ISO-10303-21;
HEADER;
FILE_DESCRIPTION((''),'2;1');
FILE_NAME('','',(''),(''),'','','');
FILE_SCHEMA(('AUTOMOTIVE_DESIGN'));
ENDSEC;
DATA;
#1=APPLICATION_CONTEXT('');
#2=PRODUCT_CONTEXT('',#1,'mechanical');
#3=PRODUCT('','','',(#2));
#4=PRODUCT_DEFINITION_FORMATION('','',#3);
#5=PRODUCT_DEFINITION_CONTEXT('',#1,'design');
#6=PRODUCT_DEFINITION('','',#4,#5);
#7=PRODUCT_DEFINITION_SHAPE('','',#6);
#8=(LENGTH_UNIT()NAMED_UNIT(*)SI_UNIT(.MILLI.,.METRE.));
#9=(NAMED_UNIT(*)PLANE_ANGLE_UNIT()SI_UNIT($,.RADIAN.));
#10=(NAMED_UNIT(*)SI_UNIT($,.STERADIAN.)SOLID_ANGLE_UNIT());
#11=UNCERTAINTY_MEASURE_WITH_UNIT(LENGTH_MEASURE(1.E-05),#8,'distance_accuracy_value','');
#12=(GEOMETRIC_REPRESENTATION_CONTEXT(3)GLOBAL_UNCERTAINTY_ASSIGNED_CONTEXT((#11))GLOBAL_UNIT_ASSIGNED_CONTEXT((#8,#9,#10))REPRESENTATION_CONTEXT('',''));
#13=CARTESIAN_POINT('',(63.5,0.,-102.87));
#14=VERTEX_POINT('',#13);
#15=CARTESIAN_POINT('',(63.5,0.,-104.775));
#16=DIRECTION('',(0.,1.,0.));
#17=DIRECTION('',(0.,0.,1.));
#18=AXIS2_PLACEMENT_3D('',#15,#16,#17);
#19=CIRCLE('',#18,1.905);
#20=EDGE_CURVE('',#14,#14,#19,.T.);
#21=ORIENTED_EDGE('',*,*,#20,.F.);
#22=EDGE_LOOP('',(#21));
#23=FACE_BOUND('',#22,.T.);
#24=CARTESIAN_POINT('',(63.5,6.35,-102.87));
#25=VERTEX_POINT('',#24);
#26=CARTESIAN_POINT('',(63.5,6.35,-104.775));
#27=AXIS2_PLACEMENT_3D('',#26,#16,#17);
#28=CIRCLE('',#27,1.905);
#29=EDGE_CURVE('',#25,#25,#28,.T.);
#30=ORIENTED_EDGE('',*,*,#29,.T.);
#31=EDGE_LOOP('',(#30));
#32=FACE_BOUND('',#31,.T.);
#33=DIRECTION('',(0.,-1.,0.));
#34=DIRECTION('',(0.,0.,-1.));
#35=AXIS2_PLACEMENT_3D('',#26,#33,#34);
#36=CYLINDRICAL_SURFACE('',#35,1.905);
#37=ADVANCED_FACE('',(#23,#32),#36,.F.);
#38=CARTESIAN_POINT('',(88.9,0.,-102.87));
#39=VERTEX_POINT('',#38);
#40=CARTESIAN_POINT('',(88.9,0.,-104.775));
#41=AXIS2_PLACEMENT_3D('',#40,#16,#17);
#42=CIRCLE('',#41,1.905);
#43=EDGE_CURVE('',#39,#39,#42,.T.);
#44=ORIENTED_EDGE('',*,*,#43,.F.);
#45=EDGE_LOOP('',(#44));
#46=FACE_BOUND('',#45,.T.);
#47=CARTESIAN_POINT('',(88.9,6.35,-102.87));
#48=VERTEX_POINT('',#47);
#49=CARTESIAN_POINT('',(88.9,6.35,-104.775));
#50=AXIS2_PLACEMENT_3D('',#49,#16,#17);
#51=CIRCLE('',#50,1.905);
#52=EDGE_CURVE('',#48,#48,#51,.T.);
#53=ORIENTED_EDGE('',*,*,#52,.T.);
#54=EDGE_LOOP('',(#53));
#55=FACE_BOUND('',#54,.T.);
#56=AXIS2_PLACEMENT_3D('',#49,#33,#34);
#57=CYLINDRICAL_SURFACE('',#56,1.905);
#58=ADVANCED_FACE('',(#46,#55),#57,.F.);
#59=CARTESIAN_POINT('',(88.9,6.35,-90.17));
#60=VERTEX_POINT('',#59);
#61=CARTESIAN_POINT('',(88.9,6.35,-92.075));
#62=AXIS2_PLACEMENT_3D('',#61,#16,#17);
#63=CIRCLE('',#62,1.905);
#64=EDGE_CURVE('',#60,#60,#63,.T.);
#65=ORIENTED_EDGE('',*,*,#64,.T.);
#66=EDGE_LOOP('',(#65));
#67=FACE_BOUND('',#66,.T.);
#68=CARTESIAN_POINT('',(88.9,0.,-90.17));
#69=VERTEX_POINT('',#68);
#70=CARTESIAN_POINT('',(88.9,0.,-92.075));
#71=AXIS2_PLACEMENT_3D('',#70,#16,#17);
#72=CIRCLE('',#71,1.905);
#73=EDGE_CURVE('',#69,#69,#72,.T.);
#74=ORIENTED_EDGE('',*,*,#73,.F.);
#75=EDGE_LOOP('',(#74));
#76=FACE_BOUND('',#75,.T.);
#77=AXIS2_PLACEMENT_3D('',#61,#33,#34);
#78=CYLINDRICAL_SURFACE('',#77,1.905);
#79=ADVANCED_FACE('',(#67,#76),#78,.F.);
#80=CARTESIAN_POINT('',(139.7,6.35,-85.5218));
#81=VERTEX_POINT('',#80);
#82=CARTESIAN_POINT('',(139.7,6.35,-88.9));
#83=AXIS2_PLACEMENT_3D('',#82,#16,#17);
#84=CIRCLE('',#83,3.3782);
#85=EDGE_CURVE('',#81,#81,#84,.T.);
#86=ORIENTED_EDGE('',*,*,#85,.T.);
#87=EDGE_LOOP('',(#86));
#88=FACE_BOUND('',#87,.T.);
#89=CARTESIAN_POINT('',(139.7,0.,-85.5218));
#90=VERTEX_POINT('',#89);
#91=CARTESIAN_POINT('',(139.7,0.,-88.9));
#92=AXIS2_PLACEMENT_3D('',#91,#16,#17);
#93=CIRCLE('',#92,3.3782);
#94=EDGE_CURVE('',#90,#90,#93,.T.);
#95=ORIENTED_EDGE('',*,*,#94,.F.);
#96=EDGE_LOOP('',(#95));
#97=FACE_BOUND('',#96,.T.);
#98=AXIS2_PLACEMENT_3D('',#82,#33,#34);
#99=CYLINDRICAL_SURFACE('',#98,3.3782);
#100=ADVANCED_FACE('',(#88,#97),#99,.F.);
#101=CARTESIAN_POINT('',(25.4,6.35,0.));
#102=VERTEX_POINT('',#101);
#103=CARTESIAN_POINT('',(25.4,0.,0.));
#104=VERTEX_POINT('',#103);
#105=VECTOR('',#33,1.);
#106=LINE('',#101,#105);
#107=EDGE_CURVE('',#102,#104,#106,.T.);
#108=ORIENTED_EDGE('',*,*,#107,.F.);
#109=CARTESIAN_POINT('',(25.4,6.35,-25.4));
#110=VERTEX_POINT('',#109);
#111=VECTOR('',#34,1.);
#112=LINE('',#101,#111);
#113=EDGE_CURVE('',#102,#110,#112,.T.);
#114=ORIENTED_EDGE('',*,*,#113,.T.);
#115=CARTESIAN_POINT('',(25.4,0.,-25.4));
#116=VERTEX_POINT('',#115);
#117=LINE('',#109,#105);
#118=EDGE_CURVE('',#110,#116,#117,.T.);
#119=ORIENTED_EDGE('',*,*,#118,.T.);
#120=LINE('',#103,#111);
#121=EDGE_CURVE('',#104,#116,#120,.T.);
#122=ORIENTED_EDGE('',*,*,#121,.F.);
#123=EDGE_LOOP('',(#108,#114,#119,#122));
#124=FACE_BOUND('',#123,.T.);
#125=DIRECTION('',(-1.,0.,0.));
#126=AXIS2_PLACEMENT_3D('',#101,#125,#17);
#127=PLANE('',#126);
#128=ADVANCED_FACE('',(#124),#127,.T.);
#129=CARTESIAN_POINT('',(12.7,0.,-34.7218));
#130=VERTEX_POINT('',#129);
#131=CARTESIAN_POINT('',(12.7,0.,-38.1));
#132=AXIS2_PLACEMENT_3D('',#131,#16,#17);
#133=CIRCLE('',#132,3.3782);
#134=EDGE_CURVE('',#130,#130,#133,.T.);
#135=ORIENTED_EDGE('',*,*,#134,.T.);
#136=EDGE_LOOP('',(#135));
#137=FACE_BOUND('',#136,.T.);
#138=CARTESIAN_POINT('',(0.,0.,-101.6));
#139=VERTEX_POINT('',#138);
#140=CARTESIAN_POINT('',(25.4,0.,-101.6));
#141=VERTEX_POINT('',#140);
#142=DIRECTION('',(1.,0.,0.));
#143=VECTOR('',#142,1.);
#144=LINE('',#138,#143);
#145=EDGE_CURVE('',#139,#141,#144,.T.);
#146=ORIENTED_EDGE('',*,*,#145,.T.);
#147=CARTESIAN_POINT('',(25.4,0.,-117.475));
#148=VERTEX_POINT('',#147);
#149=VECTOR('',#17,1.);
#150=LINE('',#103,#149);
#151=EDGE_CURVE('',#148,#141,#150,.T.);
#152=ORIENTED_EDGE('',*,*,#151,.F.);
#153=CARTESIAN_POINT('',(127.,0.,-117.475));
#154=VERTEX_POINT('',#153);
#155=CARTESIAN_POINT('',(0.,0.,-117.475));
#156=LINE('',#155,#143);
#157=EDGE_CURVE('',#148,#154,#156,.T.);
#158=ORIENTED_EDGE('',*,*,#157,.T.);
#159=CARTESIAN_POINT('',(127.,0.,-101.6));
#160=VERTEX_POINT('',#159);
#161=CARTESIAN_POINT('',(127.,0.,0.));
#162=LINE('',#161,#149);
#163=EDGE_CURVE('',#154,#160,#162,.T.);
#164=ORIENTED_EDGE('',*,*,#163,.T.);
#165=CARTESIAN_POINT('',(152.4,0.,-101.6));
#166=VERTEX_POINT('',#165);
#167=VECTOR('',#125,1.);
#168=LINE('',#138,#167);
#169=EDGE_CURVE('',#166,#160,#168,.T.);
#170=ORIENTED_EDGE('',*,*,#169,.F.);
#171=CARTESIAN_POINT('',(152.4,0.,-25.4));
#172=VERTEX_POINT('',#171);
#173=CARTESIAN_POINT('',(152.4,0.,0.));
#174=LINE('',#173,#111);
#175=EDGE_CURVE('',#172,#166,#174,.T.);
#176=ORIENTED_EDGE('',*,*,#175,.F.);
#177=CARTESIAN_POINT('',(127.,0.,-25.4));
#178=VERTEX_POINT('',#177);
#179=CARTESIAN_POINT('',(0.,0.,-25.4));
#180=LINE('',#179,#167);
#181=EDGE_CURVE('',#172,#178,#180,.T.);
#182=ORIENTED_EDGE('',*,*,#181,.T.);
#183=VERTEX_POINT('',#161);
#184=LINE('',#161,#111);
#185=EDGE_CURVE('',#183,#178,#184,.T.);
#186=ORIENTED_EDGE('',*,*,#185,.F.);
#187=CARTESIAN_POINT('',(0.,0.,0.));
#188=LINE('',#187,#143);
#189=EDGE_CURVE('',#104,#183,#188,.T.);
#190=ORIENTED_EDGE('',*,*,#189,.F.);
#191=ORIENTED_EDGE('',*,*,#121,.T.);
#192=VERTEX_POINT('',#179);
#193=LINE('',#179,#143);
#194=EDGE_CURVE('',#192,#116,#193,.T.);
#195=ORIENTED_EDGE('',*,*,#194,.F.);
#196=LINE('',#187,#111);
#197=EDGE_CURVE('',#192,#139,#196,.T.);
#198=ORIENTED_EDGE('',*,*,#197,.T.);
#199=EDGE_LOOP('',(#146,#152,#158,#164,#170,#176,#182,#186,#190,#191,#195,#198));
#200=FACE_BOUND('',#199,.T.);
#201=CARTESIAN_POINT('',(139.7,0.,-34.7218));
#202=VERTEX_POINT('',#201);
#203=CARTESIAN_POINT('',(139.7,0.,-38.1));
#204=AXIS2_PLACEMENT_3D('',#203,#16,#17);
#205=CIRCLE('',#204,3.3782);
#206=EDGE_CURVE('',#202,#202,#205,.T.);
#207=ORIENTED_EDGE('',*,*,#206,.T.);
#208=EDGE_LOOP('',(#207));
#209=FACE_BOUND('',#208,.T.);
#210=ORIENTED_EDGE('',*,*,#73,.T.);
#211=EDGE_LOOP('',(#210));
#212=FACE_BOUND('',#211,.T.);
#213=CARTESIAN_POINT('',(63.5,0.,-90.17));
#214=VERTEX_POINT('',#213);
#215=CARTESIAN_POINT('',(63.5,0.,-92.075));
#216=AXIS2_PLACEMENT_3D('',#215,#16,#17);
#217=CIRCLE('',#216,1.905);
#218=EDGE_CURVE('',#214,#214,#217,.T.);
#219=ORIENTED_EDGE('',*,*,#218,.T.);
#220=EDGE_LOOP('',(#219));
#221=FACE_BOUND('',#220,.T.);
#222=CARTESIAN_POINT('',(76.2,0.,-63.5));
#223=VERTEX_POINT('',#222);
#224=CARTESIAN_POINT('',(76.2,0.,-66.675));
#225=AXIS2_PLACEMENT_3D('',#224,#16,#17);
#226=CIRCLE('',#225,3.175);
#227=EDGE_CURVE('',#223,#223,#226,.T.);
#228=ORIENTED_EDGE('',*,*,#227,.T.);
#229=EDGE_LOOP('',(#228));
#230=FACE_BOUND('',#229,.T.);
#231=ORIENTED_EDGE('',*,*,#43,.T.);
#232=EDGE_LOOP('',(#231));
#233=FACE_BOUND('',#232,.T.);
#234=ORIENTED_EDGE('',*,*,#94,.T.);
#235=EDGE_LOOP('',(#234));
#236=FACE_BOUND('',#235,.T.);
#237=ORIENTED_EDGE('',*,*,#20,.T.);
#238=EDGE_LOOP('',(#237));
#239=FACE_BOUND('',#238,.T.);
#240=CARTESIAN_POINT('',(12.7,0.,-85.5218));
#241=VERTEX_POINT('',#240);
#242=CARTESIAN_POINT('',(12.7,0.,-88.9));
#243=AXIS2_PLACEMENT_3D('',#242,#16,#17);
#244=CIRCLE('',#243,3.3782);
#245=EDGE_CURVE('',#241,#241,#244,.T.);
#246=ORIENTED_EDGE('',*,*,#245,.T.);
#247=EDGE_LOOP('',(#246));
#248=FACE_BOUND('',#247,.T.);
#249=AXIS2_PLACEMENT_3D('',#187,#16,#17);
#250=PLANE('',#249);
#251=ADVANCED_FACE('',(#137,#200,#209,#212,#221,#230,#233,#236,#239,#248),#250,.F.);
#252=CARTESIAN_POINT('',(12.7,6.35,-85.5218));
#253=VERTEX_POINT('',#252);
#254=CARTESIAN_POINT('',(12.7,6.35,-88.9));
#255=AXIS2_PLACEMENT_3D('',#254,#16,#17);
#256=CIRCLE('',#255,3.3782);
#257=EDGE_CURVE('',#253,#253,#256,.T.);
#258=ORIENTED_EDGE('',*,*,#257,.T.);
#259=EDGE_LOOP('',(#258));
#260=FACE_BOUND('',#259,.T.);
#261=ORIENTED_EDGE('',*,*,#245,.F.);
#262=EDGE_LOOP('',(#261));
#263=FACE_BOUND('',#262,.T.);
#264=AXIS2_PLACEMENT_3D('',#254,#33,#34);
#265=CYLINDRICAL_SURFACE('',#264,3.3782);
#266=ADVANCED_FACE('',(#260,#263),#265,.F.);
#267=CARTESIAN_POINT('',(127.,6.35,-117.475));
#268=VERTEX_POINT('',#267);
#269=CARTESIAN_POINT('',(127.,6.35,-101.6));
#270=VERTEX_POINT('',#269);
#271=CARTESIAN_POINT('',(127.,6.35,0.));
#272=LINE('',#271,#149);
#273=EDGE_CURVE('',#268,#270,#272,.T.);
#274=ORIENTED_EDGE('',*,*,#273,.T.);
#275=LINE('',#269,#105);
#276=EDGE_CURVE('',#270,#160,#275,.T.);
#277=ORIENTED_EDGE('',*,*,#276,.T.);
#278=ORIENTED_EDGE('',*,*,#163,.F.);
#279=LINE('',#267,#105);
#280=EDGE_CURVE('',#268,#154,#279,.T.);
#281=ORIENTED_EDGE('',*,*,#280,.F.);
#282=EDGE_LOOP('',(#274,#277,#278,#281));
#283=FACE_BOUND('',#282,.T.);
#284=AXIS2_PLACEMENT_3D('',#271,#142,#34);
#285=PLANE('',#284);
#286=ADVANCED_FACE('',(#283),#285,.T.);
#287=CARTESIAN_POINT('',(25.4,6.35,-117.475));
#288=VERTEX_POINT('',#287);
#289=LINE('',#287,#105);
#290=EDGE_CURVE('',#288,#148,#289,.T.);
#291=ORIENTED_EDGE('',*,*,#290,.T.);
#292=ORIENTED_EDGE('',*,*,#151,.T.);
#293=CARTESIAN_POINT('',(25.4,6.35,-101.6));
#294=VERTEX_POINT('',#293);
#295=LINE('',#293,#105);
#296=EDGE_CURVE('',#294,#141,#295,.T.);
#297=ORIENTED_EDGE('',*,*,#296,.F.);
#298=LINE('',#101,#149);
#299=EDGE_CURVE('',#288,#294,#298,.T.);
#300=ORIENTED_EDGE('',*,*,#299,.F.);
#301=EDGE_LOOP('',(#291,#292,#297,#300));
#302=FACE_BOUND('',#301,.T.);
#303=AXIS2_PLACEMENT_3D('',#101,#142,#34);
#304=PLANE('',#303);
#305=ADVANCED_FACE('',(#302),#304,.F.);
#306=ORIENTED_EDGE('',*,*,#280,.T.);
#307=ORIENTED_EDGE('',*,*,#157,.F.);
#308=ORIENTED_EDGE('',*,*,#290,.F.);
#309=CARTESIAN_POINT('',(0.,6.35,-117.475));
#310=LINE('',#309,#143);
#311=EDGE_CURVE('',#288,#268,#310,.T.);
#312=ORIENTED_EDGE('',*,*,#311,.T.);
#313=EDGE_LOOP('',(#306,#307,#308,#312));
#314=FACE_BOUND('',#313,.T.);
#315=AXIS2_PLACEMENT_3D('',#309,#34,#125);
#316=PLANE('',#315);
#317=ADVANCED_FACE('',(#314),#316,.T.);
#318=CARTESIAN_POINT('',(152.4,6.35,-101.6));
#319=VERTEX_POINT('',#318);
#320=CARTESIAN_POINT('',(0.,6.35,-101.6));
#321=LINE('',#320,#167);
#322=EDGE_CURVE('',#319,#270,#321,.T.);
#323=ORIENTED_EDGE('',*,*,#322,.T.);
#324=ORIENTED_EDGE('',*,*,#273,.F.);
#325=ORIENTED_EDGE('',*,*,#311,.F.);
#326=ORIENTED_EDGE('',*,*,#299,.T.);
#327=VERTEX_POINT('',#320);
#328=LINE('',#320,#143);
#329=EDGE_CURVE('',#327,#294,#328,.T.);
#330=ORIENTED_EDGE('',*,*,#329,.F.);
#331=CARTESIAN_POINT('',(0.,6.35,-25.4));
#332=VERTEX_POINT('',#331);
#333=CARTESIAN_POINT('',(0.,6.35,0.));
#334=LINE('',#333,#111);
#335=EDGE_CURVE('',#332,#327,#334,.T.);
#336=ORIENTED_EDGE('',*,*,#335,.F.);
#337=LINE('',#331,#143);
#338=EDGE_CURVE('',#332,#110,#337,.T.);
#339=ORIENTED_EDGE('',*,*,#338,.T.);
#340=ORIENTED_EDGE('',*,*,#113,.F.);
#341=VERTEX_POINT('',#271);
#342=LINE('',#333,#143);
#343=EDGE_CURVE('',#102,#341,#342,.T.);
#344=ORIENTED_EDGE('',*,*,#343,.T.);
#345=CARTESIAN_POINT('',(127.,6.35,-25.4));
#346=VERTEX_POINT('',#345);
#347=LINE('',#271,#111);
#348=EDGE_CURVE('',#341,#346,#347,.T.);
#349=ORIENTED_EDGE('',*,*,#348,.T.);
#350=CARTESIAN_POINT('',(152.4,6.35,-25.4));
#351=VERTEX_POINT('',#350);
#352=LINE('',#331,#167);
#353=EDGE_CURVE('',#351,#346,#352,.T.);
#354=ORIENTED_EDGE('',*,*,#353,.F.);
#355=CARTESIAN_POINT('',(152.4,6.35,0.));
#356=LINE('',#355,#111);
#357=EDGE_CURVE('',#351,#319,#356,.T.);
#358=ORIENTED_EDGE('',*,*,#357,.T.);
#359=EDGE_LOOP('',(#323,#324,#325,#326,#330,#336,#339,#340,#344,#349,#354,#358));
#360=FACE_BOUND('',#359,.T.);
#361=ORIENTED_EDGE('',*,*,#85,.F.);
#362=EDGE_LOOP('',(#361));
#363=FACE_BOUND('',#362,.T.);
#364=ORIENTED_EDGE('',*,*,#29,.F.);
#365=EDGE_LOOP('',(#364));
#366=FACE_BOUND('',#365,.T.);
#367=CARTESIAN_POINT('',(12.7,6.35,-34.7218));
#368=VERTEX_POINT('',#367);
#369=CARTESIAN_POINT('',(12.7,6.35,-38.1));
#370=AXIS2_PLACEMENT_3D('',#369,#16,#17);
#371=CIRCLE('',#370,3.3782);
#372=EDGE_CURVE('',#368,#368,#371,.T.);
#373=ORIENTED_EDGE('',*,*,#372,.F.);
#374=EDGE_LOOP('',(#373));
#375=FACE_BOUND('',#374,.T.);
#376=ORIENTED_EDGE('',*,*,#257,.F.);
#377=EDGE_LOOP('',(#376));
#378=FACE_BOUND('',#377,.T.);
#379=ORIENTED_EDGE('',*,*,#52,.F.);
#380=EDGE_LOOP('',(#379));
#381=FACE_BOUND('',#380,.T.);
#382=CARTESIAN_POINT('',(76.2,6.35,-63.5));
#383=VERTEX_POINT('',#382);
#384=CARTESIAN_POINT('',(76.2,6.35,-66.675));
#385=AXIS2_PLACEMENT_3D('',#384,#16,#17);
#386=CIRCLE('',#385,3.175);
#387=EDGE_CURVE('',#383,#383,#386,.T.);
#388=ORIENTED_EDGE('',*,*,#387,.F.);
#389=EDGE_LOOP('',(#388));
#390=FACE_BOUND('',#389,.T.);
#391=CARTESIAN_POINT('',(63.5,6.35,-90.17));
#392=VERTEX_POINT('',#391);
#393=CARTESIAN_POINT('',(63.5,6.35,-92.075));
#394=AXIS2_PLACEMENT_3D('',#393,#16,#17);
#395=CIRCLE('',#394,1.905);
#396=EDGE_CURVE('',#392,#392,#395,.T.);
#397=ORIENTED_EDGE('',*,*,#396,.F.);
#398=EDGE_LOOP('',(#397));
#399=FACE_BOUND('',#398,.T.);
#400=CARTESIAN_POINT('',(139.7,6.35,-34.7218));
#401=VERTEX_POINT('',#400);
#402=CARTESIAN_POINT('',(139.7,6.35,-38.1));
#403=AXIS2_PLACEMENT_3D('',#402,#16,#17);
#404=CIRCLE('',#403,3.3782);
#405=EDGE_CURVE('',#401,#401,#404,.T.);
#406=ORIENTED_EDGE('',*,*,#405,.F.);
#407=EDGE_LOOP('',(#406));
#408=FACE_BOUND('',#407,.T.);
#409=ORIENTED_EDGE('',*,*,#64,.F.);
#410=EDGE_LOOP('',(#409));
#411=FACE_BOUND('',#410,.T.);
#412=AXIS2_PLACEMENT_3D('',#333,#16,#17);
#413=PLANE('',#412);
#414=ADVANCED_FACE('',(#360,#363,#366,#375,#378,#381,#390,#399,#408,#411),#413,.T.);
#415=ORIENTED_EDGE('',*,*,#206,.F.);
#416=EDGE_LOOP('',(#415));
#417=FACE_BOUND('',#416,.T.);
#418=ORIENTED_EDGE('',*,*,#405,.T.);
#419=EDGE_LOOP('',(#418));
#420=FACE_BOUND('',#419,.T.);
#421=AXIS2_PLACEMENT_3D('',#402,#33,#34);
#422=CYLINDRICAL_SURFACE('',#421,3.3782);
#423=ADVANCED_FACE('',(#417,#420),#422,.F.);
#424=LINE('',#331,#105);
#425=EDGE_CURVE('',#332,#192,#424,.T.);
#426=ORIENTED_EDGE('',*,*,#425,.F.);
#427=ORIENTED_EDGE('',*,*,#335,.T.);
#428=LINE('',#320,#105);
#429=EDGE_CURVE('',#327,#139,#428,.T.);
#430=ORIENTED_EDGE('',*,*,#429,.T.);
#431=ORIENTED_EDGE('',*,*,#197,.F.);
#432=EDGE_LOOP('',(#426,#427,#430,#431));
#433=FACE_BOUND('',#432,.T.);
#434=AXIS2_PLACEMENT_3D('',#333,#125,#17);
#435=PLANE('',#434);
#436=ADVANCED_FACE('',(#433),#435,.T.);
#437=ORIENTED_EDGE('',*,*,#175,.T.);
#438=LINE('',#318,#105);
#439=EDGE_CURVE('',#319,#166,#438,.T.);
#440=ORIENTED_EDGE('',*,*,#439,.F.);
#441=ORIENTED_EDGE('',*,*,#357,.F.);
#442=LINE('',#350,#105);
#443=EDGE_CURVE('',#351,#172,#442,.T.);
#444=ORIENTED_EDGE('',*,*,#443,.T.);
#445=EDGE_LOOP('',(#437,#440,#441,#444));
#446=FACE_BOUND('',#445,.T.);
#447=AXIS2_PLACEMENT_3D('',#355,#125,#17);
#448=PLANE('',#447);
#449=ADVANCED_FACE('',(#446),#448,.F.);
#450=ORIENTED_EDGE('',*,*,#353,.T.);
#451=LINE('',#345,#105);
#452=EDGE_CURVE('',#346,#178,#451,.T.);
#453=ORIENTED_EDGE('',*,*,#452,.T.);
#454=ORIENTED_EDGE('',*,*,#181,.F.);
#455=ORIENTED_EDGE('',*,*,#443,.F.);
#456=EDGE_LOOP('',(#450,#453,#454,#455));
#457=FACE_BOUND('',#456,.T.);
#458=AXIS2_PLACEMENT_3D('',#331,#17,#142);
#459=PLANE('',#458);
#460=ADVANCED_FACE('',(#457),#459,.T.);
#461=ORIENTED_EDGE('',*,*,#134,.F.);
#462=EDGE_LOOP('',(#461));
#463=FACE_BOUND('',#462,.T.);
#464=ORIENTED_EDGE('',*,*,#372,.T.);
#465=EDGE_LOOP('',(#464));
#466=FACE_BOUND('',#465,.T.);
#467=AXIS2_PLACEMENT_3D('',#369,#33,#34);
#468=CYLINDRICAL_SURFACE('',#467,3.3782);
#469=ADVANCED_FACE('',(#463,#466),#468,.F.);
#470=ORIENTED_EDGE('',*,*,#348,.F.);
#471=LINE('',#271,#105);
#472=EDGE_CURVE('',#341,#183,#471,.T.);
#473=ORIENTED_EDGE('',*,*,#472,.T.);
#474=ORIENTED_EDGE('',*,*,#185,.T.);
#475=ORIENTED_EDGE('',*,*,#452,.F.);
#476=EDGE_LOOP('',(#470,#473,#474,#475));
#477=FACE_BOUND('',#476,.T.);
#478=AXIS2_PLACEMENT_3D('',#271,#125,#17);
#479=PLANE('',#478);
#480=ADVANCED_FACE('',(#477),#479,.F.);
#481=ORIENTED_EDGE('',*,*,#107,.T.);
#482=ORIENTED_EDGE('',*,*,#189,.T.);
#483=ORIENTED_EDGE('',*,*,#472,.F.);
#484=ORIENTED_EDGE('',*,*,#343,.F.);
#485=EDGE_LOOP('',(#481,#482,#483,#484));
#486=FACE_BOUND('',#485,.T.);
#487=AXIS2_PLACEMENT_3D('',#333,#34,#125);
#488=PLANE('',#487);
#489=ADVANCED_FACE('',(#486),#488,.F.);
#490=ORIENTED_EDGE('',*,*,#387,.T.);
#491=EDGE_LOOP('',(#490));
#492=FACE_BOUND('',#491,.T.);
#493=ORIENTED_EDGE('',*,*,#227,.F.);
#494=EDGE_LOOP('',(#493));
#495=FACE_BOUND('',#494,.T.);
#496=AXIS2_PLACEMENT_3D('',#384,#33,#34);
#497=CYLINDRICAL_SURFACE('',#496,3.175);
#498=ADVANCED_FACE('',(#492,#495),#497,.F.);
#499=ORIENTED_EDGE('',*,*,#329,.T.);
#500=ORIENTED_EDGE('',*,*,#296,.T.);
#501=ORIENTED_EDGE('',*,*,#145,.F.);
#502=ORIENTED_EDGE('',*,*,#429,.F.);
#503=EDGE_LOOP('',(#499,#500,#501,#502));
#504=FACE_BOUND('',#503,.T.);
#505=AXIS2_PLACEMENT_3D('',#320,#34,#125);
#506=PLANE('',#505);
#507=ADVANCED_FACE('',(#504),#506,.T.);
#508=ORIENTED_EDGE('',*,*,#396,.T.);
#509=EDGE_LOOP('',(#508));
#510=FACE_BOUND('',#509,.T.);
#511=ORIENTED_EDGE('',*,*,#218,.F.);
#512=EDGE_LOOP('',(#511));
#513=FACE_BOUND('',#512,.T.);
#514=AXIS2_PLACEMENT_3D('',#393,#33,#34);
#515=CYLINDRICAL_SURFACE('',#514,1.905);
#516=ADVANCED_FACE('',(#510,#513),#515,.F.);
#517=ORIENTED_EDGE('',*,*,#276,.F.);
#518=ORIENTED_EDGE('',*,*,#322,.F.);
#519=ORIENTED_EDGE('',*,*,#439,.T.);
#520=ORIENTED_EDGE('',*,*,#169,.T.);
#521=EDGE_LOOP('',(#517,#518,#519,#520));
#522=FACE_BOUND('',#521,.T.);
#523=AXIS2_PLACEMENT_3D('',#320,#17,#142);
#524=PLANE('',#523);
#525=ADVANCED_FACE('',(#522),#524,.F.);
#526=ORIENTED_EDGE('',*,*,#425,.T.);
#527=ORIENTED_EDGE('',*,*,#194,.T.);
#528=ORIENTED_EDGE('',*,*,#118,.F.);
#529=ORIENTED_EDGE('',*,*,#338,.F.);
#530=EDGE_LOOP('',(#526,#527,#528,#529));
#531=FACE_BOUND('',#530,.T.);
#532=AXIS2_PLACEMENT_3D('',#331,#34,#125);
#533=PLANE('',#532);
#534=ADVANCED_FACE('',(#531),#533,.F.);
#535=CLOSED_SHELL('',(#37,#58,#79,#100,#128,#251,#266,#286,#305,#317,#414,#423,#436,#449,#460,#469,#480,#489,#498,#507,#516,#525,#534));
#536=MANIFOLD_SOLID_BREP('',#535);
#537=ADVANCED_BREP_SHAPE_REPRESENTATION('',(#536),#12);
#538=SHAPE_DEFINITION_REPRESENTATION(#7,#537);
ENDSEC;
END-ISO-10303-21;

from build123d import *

# Parameters (mm, degrees)
SKETCH1_R           = 3.3782
SKETCH1_R_2         = 1.905
SKETCH1_R_3         = 3.175
BOSS_EXTRUDE1_DEPTH = 6.35


with BuildPart() as part:
    # Sketch1 → Boss-Extrude1 (new body)
    with BuildSketch(Plane(origin=(0, 0, 0), x_dir=(1, 0, 0), z_dir=(0, 1, 0))):
        Polygon((25.4, 25.4), (25.4, 0), (127, 0), (127, 25.4), (152.4, 25.4), (152.4, 101.6), (127, 101.6), (127, 117.475), (25.4, 117.475), (25.4, 101.6), (0, 101.6), (0, 25.4), align=None)
        with Locations((12.7, 38.1)):
            Circle(SKETCH1_R, mode=Mode.SUBTRACT)
        with Locations((139.7, 38.1)):
            Circle(SKETCH1_R, mode=Mode.SUBTRACT)
        with Locations((12.7, 88.9)):
            Circle(SKETCH1_R, mode=Mode.SUBTRACT)
        with Locations((63.5, 92.075)):
            Circle(SKETCH1_R_2, mode=Mode.SUBTRACT)
        with Locations((63.5, 104.775)):
            Circle(SKETCH1_R_2, mode=Mode.SUBTRACT)
        with Locations((76.2, 66.675)):
            Circle(SKETCH1_R_3, mode=Mode.SUBTRACT)
        with Locations((88.9, 92.075)):
            Circle(SKETCH1_R_2, mode=Mode.SUBTRACT)
        with Locations((88.9, 104.775)):
            Circle(SKETCH1_R_2, mode=Mode.SUBTRACT)
        with Locations((139.7, 88.9)):
            Circle(SKETCH1_R, mode=Mode.SUBTRACT)
    extrude(amount=BOSS_EXTRUDE1_DEPTH)


solid = part.part
